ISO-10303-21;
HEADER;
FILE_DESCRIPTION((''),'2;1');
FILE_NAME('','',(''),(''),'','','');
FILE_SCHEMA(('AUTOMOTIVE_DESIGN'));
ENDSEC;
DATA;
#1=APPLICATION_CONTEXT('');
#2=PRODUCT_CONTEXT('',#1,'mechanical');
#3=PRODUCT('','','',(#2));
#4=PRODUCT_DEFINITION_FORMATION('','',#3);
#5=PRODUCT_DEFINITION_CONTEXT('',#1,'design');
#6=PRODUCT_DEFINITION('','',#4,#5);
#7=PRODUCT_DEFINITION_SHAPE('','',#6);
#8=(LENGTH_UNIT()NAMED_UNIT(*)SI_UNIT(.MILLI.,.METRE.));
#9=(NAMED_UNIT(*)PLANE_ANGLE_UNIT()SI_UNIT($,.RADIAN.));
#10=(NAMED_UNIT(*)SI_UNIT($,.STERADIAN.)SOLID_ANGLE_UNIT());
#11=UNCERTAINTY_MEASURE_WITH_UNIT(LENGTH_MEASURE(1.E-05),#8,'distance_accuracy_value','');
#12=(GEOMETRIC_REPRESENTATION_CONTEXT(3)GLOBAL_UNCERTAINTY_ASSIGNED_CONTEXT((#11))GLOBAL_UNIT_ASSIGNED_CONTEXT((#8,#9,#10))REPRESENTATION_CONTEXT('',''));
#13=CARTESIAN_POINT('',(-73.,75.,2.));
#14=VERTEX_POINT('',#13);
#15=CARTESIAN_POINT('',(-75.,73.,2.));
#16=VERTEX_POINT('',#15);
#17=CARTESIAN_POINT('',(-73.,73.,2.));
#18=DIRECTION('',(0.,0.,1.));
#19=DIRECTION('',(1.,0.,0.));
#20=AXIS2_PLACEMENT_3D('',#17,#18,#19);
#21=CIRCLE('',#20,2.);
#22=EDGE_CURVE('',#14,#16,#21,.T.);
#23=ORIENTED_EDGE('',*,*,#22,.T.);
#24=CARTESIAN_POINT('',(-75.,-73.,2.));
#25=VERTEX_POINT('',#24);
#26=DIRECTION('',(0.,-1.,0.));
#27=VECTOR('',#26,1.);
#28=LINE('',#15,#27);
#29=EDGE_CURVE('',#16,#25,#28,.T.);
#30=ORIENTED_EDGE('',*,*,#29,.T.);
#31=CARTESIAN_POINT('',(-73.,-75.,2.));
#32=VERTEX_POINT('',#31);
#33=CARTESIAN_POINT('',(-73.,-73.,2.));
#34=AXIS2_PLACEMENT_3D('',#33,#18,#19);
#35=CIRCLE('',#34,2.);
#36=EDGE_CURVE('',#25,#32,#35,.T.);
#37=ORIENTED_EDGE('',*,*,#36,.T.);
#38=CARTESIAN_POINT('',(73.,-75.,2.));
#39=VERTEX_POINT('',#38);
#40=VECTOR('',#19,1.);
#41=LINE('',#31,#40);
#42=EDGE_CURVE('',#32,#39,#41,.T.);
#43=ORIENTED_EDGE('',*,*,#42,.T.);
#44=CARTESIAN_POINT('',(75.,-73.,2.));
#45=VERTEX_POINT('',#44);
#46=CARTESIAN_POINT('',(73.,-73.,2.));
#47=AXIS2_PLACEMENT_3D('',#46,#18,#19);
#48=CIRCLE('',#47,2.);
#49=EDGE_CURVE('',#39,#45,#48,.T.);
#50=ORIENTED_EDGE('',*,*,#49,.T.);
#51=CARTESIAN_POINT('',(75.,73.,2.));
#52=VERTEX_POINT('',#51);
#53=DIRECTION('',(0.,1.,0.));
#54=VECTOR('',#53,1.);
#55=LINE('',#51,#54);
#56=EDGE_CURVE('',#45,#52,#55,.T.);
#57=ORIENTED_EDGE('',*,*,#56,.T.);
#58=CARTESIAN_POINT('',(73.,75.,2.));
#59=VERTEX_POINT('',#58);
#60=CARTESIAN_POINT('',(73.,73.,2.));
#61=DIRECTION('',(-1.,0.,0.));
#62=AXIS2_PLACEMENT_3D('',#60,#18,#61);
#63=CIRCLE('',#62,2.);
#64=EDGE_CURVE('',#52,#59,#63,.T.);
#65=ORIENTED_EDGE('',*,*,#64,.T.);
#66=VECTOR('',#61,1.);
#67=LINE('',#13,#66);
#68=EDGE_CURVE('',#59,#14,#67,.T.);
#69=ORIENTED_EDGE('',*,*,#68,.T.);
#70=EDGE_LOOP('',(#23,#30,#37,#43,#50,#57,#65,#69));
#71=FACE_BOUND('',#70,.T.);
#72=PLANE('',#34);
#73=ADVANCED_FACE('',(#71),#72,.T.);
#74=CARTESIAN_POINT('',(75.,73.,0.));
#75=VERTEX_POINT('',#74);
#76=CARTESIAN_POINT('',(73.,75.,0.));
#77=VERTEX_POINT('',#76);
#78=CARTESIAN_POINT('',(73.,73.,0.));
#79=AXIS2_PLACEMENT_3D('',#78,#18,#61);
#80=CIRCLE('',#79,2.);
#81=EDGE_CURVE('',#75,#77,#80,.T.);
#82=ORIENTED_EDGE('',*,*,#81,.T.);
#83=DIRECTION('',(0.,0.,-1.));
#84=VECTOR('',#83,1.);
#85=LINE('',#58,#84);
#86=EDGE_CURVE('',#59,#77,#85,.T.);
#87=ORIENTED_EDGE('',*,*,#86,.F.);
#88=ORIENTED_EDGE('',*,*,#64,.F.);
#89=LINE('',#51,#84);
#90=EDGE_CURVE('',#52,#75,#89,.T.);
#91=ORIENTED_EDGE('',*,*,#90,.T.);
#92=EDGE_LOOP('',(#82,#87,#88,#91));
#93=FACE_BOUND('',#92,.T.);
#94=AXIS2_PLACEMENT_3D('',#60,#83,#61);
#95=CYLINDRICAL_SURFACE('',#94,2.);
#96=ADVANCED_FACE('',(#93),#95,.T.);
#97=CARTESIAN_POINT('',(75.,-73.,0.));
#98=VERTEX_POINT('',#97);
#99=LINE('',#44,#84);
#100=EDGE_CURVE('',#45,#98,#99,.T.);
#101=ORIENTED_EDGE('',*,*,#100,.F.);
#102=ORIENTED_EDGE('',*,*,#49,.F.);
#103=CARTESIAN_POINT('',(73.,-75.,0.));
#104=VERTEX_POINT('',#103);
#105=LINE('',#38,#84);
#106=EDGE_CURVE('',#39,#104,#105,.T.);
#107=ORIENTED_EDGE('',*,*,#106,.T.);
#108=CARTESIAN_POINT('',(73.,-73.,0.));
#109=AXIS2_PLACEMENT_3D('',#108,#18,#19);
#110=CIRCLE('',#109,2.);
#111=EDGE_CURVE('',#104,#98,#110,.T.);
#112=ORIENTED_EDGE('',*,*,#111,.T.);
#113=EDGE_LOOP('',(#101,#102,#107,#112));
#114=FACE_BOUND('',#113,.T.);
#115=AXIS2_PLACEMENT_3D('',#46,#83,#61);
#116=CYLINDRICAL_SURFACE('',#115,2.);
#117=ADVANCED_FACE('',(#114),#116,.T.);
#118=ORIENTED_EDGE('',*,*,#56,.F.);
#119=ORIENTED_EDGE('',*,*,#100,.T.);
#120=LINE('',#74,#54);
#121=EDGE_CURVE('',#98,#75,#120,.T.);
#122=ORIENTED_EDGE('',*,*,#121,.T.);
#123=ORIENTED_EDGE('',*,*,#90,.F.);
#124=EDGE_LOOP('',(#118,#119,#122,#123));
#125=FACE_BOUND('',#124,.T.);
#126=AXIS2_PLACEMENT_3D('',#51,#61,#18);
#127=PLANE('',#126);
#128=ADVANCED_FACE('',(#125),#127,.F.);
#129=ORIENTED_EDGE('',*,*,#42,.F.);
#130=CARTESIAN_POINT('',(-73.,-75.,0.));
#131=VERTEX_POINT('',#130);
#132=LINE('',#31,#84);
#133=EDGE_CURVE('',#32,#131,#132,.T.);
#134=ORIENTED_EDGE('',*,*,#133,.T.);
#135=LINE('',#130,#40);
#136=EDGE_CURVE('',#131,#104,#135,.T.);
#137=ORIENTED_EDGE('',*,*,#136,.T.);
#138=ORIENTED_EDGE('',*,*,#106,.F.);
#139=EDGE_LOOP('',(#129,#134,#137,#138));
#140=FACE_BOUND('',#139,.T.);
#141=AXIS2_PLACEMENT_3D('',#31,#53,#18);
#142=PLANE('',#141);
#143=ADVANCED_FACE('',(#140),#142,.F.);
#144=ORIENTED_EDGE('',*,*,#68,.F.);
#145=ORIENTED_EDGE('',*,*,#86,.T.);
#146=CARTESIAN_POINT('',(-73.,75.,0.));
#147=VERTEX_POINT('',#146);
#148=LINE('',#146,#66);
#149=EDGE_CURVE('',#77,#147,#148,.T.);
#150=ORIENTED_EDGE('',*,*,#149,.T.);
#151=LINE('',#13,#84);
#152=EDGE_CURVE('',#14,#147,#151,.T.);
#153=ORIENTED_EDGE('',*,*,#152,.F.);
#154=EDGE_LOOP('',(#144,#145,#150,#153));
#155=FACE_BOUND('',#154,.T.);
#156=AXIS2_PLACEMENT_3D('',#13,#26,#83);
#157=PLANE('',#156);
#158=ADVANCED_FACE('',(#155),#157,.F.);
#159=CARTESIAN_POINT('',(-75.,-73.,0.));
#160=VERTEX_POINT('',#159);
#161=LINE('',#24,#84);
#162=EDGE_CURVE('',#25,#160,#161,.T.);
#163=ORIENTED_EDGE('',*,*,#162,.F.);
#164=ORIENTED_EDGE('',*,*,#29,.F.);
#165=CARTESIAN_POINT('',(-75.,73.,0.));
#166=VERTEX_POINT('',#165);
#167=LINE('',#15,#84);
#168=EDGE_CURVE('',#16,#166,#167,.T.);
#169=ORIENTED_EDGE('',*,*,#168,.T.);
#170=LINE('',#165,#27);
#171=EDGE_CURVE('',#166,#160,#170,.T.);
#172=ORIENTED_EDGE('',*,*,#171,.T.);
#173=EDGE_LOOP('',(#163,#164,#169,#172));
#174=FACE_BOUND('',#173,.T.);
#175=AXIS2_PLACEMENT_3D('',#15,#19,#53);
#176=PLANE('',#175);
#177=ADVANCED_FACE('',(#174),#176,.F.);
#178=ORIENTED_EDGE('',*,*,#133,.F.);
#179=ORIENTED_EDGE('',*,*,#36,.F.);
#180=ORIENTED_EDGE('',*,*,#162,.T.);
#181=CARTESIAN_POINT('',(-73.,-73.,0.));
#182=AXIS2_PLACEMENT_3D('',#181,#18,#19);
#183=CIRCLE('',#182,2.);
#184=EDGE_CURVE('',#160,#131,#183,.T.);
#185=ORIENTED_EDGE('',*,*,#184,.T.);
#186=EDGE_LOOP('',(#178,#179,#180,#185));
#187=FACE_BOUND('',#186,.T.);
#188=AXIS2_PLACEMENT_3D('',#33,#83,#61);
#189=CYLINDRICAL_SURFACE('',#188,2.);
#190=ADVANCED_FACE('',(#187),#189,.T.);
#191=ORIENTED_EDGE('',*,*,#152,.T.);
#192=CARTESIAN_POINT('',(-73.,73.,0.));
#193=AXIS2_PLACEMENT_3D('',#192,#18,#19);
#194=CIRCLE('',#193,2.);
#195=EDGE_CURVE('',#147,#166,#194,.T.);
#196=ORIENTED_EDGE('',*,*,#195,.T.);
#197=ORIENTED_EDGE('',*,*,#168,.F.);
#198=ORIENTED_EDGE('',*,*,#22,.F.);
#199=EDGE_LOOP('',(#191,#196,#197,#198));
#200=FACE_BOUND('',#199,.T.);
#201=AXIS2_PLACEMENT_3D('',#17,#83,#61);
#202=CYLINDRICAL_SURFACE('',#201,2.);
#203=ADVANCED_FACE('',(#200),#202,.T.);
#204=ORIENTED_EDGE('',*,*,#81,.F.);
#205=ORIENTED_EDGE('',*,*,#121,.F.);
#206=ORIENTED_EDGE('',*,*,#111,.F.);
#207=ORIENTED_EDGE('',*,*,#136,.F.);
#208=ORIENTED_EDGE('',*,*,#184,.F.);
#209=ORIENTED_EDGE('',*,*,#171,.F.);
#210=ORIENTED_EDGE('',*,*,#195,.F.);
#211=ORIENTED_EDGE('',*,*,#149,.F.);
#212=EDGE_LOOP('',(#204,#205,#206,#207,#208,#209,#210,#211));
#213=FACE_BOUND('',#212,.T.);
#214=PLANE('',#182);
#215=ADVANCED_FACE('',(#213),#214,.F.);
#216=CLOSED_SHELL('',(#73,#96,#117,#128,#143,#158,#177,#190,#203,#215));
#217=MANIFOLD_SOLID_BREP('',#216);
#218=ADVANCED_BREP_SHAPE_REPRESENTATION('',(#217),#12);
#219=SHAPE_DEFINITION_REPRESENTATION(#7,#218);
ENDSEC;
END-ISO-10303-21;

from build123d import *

# Parameters (mm, degrees)
BOSS_EXTRUDE1_DEPTH = 2


with BuildPart() as part:
    # Sketch1 → Boss-Extrude1 (new body)
    with BuildSketch(Plane.XY):
        with BuildLine():
            Line((-73, 75), (73, 75))
            ThreePointArc((73, 75), (74.414213562, 74.414213562), (75, 73))
            Line((75, 73), (75, -73))
            ThreePointArc((75, -73), (74.414213562, -74.414213562), (73, -75))
            Line((73, -75), (-73, -75))
            ThreePointArc((-73, -75), (-74.414213562, -74.414213562), (-75, -73))
            Line((-75, -73), (-75, 73))
            ThreePointArc((-75, 73), (-74.414213562, 74.414213562), (-73, 75))
        make_face()
    extrude(amount=BOSS_EXTRUDE1_DEPTH)


solid = part.part
